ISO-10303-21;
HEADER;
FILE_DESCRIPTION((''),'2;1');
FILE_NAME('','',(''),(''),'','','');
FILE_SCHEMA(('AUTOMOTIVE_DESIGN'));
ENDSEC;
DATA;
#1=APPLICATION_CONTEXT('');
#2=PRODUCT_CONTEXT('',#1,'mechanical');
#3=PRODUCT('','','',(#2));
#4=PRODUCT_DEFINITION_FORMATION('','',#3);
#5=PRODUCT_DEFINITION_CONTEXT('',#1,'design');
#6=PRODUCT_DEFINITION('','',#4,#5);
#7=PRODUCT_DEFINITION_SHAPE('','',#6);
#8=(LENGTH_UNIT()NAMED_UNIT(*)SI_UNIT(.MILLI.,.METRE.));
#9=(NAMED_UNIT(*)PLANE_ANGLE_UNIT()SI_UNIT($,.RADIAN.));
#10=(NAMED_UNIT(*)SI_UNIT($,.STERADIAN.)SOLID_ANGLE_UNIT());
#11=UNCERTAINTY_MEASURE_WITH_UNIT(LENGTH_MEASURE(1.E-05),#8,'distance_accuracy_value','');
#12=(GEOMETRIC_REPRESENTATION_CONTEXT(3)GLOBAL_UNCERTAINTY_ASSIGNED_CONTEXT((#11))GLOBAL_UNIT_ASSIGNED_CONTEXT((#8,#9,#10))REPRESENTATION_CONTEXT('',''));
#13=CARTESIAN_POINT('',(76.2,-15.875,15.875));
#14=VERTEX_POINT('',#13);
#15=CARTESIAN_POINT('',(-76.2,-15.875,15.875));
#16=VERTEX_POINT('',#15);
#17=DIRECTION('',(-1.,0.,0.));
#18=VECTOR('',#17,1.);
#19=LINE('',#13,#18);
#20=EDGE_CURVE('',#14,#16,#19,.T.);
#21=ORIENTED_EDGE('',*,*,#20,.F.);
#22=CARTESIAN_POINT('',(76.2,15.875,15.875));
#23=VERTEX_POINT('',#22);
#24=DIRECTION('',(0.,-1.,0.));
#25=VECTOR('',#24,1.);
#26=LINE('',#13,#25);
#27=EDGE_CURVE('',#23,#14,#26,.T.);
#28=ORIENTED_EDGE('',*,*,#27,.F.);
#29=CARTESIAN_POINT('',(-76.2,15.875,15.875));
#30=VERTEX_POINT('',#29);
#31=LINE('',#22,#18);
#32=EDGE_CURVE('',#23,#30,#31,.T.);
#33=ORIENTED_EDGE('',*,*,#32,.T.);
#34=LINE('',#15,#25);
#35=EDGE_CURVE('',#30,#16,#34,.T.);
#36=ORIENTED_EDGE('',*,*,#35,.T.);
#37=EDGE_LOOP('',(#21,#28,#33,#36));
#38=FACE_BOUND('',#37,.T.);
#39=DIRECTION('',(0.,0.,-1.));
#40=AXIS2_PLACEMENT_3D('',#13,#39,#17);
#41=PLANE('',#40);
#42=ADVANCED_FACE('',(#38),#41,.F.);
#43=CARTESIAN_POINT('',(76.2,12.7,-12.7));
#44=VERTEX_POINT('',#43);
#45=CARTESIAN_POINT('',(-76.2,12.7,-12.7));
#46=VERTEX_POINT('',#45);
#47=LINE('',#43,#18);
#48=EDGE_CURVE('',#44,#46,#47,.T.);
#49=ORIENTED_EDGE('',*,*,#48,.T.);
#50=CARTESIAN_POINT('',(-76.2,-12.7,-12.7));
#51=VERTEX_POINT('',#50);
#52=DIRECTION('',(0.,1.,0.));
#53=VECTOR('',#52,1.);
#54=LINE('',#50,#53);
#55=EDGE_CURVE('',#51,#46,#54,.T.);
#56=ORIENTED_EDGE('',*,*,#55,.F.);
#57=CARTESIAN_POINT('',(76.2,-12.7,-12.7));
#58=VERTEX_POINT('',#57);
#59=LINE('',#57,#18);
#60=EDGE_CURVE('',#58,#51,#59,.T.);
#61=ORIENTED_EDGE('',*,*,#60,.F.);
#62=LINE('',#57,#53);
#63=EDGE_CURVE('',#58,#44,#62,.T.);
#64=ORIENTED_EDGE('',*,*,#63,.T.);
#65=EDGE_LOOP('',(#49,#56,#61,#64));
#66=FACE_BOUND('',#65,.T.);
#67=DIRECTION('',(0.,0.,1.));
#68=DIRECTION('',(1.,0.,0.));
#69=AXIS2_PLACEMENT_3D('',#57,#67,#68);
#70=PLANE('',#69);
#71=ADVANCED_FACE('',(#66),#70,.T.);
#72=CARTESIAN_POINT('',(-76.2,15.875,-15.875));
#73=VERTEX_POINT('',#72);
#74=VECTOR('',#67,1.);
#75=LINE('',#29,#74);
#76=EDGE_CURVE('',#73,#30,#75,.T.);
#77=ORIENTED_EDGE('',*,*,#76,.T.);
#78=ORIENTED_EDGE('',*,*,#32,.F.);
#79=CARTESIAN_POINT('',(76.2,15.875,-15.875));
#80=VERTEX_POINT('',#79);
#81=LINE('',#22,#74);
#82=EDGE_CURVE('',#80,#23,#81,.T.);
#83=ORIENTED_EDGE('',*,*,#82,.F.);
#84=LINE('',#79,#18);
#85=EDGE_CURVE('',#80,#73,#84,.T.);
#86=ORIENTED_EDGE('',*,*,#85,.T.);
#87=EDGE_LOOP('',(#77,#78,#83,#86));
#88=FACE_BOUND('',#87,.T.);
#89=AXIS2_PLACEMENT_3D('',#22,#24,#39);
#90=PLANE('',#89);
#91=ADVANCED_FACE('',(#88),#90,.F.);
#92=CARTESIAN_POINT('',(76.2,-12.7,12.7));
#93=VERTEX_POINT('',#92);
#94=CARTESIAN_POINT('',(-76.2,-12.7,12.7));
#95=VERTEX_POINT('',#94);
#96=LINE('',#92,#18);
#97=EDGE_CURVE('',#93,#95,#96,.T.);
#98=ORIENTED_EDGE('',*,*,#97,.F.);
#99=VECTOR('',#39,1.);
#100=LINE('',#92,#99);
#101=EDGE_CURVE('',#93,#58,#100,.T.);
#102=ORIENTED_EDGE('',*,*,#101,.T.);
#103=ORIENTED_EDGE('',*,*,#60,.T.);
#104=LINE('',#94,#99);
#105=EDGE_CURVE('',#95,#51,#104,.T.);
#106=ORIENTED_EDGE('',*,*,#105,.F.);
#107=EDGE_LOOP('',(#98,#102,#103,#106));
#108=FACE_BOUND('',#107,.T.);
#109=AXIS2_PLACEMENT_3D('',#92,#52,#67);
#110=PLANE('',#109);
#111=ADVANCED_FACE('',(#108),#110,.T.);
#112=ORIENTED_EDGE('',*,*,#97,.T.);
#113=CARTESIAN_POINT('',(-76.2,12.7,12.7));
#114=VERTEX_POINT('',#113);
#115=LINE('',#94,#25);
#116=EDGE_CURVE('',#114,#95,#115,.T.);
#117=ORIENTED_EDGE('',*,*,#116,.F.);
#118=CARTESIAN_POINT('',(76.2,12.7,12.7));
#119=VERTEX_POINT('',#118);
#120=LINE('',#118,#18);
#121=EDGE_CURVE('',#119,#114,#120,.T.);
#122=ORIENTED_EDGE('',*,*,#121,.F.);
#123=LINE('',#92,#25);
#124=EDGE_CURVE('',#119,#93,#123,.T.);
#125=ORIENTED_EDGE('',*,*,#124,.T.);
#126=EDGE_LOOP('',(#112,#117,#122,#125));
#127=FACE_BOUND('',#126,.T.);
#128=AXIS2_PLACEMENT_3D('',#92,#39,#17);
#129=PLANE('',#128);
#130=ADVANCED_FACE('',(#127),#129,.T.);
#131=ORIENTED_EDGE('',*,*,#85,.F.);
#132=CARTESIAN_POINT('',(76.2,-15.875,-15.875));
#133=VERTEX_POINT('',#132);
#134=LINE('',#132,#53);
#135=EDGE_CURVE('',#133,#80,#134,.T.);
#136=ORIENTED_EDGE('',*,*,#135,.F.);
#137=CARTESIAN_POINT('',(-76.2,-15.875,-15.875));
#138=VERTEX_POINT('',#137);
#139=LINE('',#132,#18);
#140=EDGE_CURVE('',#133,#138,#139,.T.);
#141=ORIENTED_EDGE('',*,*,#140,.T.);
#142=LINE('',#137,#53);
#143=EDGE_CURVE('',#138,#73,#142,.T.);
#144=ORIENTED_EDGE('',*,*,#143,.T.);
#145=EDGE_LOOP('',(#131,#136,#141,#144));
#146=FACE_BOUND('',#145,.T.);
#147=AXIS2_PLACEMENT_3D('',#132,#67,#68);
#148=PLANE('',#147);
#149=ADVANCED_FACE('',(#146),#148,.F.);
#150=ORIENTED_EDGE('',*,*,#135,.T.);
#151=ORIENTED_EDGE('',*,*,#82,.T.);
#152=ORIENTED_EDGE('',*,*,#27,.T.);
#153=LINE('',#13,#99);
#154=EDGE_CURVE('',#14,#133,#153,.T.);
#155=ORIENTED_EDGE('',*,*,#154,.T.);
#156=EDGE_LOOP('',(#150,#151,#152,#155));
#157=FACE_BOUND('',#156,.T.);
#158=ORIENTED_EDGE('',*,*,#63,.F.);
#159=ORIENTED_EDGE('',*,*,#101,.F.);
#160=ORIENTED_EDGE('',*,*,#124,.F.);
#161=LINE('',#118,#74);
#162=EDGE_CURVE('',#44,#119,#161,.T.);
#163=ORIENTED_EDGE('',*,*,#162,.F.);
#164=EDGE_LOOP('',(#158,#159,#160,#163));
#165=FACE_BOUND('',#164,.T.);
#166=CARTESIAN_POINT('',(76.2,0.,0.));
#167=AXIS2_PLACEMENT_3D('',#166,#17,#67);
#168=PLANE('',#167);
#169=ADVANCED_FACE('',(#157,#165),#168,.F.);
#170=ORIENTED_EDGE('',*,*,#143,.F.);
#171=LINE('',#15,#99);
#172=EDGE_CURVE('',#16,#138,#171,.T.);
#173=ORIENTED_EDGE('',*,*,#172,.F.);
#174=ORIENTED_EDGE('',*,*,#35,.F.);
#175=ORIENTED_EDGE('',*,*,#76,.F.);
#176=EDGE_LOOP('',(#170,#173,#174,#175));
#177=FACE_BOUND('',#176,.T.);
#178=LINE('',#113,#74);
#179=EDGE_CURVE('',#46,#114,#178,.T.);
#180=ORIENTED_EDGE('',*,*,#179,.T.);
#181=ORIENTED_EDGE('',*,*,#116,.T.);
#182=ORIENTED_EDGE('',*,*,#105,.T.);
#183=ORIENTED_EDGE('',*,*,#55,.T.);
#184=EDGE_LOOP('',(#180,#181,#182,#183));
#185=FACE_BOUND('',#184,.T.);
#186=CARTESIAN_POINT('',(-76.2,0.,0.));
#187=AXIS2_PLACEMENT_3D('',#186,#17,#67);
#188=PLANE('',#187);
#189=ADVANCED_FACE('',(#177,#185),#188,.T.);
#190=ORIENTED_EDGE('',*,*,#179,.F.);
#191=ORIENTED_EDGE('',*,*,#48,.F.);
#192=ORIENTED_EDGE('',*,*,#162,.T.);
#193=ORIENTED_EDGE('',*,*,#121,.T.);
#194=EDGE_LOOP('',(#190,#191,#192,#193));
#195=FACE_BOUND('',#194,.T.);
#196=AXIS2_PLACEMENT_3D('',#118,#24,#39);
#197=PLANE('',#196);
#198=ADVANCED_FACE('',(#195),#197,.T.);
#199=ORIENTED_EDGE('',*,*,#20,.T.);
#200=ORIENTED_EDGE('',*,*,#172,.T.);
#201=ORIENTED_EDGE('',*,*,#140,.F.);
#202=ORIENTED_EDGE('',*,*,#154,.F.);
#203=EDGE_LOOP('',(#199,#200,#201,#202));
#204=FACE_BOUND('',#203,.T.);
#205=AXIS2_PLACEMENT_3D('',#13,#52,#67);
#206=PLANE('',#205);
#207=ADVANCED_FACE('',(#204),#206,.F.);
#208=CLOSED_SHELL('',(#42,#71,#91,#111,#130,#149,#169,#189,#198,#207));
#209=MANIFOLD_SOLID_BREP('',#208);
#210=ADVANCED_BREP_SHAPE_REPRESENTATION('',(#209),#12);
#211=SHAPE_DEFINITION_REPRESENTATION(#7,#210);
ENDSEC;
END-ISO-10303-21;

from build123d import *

# Parameters (mm, degrees)
SKETCH1_W           = 31.75
SKETCH1_H           = 31.75
SKETCH1_W_2         = 25.4
SKETCH1_H_2         = 25.4
BOSS_EXTRUDE1_DEPTH = 76.2


with BuildPart() as part:
    # Sketch1 → Boss-Extrude1 (new body, symmetric)
    with BuildSketch(Plane(origin=(0, 0, 0), x_dir=(0, 0, -1), z_dir=(1, 0, 0))):
        Rectangle(SKETCH1_W, SKETCH1_H)
        Rectangle(SKETCH1_W_2, SKETCH1_H_2, mode=Mode.SUBTRACT)
    extrude(amount=BOSS_EXTRUDE1_DEPTH, both=True)


solid = part.part
